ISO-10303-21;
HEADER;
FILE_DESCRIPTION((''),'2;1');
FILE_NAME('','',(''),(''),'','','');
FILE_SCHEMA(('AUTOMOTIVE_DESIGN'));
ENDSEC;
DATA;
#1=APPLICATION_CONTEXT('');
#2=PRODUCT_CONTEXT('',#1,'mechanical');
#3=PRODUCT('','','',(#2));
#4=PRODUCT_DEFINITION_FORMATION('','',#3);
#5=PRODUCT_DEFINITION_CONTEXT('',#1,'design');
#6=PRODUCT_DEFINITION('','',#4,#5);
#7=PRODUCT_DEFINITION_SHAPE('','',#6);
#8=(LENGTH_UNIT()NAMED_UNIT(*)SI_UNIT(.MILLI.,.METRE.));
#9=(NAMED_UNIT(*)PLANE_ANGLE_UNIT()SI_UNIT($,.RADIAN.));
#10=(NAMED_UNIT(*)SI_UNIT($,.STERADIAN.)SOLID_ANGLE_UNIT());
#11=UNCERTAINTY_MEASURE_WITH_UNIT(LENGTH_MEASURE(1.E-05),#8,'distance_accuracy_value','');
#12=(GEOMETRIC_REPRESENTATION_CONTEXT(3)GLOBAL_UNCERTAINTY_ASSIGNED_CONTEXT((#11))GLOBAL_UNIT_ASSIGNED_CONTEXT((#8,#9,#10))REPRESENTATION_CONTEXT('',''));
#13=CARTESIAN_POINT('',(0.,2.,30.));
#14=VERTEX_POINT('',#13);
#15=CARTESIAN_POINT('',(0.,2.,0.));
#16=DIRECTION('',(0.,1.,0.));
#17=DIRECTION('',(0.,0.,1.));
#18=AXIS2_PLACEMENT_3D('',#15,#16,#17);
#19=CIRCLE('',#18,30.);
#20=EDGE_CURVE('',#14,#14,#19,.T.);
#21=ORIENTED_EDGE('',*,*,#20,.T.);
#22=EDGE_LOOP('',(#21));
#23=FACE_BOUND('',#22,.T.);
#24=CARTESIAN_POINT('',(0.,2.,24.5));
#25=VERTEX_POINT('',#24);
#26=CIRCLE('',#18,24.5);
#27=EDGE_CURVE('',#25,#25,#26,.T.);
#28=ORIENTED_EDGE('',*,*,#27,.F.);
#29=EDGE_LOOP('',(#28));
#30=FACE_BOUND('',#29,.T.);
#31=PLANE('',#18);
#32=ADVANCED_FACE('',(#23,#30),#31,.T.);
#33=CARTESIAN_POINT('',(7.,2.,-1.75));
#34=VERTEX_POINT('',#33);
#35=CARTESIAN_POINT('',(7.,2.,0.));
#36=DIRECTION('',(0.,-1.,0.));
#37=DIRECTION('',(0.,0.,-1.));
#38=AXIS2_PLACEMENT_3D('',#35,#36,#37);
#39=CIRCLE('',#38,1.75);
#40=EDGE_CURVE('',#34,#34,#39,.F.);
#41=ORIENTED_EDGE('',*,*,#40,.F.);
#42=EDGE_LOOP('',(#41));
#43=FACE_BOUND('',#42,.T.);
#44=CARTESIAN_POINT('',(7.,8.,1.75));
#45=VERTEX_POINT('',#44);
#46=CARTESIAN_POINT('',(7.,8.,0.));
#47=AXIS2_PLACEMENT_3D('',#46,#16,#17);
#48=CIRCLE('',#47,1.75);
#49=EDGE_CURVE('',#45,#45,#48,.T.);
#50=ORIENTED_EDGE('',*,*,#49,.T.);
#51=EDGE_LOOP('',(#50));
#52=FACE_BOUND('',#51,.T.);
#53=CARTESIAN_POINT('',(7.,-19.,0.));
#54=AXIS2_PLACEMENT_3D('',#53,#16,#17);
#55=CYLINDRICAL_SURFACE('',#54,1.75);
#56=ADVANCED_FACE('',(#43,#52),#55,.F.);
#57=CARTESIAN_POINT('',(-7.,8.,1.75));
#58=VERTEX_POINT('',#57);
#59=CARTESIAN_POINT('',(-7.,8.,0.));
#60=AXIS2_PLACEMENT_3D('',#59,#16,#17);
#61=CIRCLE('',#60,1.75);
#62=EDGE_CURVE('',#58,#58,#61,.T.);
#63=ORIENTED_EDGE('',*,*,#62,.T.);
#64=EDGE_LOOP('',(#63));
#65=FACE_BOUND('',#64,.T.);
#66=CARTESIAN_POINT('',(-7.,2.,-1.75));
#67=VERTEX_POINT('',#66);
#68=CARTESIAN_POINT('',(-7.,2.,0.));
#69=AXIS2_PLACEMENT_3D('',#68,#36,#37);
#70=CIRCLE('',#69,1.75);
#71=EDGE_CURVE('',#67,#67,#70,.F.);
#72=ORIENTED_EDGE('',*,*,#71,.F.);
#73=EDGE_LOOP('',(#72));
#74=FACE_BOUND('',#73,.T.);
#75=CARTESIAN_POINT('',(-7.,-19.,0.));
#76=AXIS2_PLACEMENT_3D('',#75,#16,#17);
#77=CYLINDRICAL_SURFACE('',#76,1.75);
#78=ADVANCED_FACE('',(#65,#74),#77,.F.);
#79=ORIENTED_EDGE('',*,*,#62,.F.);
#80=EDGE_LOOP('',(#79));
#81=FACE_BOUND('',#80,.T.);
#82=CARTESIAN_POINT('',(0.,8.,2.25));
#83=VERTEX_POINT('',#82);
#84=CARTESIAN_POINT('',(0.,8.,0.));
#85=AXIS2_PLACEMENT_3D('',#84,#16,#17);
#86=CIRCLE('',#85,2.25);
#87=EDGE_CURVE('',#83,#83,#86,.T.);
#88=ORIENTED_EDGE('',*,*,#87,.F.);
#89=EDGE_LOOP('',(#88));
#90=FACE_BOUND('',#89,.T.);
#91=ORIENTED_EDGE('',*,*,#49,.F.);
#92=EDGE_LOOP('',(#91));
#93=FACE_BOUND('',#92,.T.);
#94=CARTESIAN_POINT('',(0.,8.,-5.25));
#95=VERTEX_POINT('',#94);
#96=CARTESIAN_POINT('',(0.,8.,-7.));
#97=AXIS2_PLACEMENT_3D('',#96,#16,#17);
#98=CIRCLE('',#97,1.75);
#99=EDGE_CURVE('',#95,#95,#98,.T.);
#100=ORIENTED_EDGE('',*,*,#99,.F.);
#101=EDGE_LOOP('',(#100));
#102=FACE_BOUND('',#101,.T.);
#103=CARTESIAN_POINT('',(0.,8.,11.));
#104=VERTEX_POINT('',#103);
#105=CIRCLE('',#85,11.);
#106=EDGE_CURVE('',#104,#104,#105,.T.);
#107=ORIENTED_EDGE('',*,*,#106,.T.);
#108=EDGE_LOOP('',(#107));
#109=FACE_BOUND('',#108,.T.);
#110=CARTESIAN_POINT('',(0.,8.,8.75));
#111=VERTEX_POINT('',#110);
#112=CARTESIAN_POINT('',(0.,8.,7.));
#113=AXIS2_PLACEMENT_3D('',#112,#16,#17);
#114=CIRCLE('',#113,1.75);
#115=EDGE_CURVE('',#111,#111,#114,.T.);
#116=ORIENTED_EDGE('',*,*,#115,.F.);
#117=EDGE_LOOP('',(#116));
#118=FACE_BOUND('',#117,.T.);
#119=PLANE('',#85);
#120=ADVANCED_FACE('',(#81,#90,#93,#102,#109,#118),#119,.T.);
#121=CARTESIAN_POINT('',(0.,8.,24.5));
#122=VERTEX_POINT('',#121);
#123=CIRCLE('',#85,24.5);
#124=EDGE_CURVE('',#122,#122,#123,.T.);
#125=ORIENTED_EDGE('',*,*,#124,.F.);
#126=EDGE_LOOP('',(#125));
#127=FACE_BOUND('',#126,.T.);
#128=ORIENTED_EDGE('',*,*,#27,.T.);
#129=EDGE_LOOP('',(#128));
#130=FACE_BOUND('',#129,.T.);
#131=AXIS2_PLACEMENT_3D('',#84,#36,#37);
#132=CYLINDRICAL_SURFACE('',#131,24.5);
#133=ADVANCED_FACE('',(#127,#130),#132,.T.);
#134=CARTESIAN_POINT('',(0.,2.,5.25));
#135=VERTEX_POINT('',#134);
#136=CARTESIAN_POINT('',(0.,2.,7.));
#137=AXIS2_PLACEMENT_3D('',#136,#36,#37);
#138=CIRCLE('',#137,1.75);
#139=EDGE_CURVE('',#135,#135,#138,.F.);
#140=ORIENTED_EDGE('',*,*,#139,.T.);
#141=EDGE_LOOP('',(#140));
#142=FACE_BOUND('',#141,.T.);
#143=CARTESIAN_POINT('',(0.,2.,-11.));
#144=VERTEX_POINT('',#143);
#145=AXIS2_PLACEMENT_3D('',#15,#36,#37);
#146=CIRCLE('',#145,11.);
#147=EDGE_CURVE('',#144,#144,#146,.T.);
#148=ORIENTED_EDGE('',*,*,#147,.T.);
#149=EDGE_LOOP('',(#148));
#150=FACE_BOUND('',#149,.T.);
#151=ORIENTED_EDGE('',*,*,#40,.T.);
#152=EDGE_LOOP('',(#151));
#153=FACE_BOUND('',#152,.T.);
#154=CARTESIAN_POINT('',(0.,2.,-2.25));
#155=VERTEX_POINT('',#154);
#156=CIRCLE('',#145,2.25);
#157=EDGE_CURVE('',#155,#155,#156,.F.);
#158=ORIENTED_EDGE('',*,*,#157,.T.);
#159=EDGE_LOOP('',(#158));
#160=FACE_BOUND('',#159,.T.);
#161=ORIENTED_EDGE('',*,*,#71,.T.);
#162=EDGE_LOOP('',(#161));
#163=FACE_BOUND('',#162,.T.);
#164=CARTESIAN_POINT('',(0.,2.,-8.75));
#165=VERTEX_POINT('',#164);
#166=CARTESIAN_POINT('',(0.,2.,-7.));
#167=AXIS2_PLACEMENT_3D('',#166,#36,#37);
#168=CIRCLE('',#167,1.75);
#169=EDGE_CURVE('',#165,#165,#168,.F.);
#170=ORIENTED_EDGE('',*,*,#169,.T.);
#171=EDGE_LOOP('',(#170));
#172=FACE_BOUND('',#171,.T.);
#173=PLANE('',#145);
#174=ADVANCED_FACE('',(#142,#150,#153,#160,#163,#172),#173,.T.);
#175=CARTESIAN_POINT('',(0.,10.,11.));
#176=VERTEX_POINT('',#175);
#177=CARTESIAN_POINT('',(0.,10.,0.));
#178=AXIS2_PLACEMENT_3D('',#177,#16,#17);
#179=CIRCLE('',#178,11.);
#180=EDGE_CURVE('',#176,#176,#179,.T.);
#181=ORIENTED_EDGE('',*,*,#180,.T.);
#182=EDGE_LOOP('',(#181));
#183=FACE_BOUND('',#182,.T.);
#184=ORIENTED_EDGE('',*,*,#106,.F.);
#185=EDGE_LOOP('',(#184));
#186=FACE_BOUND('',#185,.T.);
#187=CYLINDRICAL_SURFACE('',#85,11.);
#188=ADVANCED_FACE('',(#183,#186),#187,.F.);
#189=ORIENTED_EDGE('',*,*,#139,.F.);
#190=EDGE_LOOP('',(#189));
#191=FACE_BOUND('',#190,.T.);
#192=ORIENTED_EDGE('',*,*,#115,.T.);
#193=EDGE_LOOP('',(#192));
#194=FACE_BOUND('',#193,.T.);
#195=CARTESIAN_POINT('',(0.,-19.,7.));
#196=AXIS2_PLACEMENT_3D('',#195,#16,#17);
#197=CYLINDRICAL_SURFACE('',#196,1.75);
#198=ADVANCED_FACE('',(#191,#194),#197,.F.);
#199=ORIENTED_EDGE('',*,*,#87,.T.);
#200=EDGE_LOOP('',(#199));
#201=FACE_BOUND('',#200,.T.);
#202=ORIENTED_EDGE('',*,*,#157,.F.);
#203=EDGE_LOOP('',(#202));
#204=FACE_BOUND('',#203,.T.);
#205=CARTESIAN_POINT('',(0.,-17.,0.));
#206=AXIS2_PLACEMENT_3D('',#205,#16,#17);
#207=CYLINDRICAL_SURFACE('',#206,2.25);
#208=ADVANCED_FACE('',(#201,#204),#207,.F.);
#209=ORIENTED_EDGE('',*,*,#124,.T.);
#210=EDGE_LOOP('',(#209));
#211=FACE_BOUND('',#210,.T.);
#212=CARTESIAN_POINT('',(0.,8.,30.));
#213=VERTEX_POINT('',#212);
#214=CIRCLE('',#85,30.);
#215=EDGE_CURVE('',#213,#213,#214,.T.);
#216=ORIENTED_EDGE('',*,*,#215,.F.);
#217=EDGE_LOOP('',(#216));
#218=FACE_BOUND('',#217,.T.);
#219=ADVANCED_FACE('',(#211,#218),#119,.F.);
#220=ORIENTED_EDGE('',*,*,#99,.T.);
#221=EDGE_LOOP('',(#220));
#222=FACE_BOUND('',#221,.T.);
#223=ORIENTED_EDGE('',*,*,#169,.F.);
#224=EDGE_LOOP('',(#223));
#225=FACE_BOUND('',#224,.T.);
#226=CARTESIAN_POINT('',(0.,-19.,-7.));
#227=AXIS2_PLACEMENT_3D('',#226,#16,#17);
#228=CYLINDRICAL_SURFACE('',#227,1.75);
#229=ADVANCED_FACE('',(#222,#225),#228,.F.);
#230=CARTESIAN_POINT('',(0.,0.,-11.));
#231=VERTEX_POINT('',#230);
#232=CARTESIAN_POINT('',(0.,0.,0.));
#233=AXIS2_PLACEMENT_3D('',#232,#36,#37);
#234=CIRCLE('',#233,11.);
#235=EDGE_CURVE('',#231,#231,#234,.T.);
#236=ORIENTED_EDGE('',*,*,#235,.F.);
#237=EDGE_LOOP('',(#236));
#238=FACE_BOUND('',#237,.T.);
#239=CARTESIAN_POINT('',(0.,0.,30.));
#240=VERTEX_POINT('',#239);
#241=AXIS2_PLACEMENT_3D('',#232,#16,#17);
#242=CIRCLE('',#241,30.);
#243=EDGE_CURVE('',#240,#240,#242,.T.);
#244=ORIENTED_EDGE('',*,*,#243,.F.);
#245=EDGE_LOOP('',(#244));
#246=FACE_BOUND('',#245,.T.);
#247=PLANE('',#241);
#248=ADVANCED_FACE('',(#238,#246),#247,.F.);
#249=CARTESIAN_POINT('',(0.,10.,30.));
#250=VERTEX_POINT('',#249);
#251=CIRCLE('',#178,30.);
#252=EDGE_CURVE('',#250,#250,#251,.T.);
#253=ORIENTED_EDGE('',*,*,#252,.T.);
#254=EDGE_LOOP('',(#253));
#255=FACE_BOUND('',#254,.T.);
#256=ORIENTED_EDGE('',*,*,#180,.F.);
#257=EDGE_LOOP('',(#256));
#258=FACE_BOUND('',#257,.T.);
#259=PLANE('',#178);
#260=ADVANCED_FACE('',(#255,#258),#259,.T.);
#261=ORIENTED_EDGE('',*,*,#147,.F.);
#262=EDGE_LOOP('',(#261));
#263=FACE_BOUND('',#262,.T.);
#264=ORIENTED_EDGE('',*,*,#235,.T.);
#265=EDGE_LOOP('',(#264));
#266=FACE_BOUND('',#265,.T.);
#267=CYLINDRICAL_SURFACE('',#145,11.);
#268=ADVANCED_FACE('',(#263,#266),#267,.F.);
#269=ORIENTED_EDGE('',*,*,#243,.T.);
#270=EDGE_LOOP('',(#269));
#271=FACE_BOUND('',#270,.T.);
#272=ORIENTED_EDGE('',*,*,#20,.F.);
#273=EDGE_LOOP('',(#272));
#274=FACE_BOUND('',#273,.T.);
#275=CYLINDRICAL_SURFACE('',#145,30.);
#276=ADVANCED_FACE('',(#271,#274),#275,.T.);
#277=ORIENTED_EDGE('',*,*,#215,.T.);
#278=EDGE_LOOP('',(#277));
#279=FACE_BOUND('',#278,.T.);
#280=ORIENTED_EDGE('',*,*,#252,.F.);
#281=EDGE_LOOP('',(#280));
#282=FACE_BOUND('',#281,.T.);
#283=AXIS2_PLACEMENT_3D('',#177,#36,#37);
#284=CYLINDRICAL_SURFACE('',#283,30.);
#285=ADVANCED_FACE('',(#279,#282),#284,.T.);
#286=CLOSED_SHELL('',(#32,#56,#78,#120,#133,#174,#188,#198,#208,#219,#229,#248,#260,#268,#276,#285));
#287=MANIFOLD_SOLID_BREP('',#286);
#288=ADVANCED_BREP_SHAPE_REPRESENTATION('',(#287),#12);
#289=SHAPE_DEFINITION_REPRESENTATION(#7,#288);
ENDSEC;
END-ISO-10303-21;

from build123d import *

# Parameters (mm, degrees)
SKETCH1_R           = 30
BOSS_EXTRUDE1_DEPTH = 2
SKETCH2_R           = 24.5
BOSS_EXTRUDE2_DEPTH = 6
SKETCH3_R           = 30
BOSS_EXTRUDE3_DEPTH = 2
SKETCH4_R           = 11
SKETCH4_R_2         = 2.25
CUT_EXTRUDE1_DEPTH  = 2
SKETCH5_R           = 2.25
CUT_EXTRUDE2_DEPTH  = 27
SKETCH6_R           = 1.75
CUT_EXTRUDE3_DEPTH  = 27
SKETCH7_R           = 11
CUT_EXTRUDE4_DEPTH  = 2


with BuildPart() as part:
    # Sketch1 → Boss-Extrude1 (new body)
    with BuildSketch(Plane(origin=(0, 0, 0), x_dir=(1, 0, 0), z_dir=(0, 1, 0))):
        Circle(SKETCH1_R)
    extrude(amount=BOSS_EXTRUDE1_DEPTH)

    # Sketch2 → Boss-Extrude2 (add)
    with BuildSketch(Plane(origin=(0, 2, 0), x_dir=(1, 0, 0), z_dir=(0, 1, 0))):
        Circle(SKETCH2_R)
    extrude(amount=BOSS_EXTRUDE2_DEPTH)

    # Sketch3 → Boss-Extrude3 (add)
    with BuildSketch(Plane(origin=(0, 8, 0), x_dir=(1, 0, 0), z_dir=(0, 1, 0))):
        Circle(SKETCH3_R)
    extrude(amount=BOSS_EXTRUDE3_DEPTH)

    # Sketch4 → Cut-Extrude1 (cut)
    with BuildSketch(Plane(origin=(0, 10, 0), x_dir=(1, 0, 0), z_dir=(0, 1, 0))):
        Circle(SKETCH4_R)
        Circle(SKETCH4_R_2, mode=Mode.SUBTRACT)
    extrude(amount=-CUT_EXTRUDE1_DEPTH, mode=Mode.SUBTRACT)

    # Sketch5 → Cut-Extrude2 (cut)
    with BuildSketch(Plane(origin=(0, 10, 0), x_dir=(1, 0, 0), z_dir=(0, 1, 0))):
        Circle(SKETCH5_R)
    extrude(amount=-CUT_EXTRUDE2_DEPTH, mode=Mode.SUBTRACT)

    # Sketch6 → Cut-Extrude3 (cut)
    with BuildSketch(Plane(origin=(0, 8, 0), x_dir=(1, 0, 0), z_dir=(0, 1, 0))):
        with Locations((0, 7)):
            Circle(SKETCH6_R)
        with Locations((7, 0)):
            Circle(SKETCH6_R)
        with Locations((0, -7)):
            Circle(SKETCH6_R)
        with Locations((-7, 0)):
            Circle(SKETCH6_R)
    extrude(amount=-CUT_EXTRUDE3_DEPTH, mode=Mode.SUBTRACT)

    # Sketch7 → Cut-Extrude4 (cut)
    with BuildSketch(Plane.XZ):
        Circle(SKETCH7_R)
    extrude(amount=-CUT_EXTRUDE4_DEPTH, mode=Mode.SUBTRACT)


solid = part.part
